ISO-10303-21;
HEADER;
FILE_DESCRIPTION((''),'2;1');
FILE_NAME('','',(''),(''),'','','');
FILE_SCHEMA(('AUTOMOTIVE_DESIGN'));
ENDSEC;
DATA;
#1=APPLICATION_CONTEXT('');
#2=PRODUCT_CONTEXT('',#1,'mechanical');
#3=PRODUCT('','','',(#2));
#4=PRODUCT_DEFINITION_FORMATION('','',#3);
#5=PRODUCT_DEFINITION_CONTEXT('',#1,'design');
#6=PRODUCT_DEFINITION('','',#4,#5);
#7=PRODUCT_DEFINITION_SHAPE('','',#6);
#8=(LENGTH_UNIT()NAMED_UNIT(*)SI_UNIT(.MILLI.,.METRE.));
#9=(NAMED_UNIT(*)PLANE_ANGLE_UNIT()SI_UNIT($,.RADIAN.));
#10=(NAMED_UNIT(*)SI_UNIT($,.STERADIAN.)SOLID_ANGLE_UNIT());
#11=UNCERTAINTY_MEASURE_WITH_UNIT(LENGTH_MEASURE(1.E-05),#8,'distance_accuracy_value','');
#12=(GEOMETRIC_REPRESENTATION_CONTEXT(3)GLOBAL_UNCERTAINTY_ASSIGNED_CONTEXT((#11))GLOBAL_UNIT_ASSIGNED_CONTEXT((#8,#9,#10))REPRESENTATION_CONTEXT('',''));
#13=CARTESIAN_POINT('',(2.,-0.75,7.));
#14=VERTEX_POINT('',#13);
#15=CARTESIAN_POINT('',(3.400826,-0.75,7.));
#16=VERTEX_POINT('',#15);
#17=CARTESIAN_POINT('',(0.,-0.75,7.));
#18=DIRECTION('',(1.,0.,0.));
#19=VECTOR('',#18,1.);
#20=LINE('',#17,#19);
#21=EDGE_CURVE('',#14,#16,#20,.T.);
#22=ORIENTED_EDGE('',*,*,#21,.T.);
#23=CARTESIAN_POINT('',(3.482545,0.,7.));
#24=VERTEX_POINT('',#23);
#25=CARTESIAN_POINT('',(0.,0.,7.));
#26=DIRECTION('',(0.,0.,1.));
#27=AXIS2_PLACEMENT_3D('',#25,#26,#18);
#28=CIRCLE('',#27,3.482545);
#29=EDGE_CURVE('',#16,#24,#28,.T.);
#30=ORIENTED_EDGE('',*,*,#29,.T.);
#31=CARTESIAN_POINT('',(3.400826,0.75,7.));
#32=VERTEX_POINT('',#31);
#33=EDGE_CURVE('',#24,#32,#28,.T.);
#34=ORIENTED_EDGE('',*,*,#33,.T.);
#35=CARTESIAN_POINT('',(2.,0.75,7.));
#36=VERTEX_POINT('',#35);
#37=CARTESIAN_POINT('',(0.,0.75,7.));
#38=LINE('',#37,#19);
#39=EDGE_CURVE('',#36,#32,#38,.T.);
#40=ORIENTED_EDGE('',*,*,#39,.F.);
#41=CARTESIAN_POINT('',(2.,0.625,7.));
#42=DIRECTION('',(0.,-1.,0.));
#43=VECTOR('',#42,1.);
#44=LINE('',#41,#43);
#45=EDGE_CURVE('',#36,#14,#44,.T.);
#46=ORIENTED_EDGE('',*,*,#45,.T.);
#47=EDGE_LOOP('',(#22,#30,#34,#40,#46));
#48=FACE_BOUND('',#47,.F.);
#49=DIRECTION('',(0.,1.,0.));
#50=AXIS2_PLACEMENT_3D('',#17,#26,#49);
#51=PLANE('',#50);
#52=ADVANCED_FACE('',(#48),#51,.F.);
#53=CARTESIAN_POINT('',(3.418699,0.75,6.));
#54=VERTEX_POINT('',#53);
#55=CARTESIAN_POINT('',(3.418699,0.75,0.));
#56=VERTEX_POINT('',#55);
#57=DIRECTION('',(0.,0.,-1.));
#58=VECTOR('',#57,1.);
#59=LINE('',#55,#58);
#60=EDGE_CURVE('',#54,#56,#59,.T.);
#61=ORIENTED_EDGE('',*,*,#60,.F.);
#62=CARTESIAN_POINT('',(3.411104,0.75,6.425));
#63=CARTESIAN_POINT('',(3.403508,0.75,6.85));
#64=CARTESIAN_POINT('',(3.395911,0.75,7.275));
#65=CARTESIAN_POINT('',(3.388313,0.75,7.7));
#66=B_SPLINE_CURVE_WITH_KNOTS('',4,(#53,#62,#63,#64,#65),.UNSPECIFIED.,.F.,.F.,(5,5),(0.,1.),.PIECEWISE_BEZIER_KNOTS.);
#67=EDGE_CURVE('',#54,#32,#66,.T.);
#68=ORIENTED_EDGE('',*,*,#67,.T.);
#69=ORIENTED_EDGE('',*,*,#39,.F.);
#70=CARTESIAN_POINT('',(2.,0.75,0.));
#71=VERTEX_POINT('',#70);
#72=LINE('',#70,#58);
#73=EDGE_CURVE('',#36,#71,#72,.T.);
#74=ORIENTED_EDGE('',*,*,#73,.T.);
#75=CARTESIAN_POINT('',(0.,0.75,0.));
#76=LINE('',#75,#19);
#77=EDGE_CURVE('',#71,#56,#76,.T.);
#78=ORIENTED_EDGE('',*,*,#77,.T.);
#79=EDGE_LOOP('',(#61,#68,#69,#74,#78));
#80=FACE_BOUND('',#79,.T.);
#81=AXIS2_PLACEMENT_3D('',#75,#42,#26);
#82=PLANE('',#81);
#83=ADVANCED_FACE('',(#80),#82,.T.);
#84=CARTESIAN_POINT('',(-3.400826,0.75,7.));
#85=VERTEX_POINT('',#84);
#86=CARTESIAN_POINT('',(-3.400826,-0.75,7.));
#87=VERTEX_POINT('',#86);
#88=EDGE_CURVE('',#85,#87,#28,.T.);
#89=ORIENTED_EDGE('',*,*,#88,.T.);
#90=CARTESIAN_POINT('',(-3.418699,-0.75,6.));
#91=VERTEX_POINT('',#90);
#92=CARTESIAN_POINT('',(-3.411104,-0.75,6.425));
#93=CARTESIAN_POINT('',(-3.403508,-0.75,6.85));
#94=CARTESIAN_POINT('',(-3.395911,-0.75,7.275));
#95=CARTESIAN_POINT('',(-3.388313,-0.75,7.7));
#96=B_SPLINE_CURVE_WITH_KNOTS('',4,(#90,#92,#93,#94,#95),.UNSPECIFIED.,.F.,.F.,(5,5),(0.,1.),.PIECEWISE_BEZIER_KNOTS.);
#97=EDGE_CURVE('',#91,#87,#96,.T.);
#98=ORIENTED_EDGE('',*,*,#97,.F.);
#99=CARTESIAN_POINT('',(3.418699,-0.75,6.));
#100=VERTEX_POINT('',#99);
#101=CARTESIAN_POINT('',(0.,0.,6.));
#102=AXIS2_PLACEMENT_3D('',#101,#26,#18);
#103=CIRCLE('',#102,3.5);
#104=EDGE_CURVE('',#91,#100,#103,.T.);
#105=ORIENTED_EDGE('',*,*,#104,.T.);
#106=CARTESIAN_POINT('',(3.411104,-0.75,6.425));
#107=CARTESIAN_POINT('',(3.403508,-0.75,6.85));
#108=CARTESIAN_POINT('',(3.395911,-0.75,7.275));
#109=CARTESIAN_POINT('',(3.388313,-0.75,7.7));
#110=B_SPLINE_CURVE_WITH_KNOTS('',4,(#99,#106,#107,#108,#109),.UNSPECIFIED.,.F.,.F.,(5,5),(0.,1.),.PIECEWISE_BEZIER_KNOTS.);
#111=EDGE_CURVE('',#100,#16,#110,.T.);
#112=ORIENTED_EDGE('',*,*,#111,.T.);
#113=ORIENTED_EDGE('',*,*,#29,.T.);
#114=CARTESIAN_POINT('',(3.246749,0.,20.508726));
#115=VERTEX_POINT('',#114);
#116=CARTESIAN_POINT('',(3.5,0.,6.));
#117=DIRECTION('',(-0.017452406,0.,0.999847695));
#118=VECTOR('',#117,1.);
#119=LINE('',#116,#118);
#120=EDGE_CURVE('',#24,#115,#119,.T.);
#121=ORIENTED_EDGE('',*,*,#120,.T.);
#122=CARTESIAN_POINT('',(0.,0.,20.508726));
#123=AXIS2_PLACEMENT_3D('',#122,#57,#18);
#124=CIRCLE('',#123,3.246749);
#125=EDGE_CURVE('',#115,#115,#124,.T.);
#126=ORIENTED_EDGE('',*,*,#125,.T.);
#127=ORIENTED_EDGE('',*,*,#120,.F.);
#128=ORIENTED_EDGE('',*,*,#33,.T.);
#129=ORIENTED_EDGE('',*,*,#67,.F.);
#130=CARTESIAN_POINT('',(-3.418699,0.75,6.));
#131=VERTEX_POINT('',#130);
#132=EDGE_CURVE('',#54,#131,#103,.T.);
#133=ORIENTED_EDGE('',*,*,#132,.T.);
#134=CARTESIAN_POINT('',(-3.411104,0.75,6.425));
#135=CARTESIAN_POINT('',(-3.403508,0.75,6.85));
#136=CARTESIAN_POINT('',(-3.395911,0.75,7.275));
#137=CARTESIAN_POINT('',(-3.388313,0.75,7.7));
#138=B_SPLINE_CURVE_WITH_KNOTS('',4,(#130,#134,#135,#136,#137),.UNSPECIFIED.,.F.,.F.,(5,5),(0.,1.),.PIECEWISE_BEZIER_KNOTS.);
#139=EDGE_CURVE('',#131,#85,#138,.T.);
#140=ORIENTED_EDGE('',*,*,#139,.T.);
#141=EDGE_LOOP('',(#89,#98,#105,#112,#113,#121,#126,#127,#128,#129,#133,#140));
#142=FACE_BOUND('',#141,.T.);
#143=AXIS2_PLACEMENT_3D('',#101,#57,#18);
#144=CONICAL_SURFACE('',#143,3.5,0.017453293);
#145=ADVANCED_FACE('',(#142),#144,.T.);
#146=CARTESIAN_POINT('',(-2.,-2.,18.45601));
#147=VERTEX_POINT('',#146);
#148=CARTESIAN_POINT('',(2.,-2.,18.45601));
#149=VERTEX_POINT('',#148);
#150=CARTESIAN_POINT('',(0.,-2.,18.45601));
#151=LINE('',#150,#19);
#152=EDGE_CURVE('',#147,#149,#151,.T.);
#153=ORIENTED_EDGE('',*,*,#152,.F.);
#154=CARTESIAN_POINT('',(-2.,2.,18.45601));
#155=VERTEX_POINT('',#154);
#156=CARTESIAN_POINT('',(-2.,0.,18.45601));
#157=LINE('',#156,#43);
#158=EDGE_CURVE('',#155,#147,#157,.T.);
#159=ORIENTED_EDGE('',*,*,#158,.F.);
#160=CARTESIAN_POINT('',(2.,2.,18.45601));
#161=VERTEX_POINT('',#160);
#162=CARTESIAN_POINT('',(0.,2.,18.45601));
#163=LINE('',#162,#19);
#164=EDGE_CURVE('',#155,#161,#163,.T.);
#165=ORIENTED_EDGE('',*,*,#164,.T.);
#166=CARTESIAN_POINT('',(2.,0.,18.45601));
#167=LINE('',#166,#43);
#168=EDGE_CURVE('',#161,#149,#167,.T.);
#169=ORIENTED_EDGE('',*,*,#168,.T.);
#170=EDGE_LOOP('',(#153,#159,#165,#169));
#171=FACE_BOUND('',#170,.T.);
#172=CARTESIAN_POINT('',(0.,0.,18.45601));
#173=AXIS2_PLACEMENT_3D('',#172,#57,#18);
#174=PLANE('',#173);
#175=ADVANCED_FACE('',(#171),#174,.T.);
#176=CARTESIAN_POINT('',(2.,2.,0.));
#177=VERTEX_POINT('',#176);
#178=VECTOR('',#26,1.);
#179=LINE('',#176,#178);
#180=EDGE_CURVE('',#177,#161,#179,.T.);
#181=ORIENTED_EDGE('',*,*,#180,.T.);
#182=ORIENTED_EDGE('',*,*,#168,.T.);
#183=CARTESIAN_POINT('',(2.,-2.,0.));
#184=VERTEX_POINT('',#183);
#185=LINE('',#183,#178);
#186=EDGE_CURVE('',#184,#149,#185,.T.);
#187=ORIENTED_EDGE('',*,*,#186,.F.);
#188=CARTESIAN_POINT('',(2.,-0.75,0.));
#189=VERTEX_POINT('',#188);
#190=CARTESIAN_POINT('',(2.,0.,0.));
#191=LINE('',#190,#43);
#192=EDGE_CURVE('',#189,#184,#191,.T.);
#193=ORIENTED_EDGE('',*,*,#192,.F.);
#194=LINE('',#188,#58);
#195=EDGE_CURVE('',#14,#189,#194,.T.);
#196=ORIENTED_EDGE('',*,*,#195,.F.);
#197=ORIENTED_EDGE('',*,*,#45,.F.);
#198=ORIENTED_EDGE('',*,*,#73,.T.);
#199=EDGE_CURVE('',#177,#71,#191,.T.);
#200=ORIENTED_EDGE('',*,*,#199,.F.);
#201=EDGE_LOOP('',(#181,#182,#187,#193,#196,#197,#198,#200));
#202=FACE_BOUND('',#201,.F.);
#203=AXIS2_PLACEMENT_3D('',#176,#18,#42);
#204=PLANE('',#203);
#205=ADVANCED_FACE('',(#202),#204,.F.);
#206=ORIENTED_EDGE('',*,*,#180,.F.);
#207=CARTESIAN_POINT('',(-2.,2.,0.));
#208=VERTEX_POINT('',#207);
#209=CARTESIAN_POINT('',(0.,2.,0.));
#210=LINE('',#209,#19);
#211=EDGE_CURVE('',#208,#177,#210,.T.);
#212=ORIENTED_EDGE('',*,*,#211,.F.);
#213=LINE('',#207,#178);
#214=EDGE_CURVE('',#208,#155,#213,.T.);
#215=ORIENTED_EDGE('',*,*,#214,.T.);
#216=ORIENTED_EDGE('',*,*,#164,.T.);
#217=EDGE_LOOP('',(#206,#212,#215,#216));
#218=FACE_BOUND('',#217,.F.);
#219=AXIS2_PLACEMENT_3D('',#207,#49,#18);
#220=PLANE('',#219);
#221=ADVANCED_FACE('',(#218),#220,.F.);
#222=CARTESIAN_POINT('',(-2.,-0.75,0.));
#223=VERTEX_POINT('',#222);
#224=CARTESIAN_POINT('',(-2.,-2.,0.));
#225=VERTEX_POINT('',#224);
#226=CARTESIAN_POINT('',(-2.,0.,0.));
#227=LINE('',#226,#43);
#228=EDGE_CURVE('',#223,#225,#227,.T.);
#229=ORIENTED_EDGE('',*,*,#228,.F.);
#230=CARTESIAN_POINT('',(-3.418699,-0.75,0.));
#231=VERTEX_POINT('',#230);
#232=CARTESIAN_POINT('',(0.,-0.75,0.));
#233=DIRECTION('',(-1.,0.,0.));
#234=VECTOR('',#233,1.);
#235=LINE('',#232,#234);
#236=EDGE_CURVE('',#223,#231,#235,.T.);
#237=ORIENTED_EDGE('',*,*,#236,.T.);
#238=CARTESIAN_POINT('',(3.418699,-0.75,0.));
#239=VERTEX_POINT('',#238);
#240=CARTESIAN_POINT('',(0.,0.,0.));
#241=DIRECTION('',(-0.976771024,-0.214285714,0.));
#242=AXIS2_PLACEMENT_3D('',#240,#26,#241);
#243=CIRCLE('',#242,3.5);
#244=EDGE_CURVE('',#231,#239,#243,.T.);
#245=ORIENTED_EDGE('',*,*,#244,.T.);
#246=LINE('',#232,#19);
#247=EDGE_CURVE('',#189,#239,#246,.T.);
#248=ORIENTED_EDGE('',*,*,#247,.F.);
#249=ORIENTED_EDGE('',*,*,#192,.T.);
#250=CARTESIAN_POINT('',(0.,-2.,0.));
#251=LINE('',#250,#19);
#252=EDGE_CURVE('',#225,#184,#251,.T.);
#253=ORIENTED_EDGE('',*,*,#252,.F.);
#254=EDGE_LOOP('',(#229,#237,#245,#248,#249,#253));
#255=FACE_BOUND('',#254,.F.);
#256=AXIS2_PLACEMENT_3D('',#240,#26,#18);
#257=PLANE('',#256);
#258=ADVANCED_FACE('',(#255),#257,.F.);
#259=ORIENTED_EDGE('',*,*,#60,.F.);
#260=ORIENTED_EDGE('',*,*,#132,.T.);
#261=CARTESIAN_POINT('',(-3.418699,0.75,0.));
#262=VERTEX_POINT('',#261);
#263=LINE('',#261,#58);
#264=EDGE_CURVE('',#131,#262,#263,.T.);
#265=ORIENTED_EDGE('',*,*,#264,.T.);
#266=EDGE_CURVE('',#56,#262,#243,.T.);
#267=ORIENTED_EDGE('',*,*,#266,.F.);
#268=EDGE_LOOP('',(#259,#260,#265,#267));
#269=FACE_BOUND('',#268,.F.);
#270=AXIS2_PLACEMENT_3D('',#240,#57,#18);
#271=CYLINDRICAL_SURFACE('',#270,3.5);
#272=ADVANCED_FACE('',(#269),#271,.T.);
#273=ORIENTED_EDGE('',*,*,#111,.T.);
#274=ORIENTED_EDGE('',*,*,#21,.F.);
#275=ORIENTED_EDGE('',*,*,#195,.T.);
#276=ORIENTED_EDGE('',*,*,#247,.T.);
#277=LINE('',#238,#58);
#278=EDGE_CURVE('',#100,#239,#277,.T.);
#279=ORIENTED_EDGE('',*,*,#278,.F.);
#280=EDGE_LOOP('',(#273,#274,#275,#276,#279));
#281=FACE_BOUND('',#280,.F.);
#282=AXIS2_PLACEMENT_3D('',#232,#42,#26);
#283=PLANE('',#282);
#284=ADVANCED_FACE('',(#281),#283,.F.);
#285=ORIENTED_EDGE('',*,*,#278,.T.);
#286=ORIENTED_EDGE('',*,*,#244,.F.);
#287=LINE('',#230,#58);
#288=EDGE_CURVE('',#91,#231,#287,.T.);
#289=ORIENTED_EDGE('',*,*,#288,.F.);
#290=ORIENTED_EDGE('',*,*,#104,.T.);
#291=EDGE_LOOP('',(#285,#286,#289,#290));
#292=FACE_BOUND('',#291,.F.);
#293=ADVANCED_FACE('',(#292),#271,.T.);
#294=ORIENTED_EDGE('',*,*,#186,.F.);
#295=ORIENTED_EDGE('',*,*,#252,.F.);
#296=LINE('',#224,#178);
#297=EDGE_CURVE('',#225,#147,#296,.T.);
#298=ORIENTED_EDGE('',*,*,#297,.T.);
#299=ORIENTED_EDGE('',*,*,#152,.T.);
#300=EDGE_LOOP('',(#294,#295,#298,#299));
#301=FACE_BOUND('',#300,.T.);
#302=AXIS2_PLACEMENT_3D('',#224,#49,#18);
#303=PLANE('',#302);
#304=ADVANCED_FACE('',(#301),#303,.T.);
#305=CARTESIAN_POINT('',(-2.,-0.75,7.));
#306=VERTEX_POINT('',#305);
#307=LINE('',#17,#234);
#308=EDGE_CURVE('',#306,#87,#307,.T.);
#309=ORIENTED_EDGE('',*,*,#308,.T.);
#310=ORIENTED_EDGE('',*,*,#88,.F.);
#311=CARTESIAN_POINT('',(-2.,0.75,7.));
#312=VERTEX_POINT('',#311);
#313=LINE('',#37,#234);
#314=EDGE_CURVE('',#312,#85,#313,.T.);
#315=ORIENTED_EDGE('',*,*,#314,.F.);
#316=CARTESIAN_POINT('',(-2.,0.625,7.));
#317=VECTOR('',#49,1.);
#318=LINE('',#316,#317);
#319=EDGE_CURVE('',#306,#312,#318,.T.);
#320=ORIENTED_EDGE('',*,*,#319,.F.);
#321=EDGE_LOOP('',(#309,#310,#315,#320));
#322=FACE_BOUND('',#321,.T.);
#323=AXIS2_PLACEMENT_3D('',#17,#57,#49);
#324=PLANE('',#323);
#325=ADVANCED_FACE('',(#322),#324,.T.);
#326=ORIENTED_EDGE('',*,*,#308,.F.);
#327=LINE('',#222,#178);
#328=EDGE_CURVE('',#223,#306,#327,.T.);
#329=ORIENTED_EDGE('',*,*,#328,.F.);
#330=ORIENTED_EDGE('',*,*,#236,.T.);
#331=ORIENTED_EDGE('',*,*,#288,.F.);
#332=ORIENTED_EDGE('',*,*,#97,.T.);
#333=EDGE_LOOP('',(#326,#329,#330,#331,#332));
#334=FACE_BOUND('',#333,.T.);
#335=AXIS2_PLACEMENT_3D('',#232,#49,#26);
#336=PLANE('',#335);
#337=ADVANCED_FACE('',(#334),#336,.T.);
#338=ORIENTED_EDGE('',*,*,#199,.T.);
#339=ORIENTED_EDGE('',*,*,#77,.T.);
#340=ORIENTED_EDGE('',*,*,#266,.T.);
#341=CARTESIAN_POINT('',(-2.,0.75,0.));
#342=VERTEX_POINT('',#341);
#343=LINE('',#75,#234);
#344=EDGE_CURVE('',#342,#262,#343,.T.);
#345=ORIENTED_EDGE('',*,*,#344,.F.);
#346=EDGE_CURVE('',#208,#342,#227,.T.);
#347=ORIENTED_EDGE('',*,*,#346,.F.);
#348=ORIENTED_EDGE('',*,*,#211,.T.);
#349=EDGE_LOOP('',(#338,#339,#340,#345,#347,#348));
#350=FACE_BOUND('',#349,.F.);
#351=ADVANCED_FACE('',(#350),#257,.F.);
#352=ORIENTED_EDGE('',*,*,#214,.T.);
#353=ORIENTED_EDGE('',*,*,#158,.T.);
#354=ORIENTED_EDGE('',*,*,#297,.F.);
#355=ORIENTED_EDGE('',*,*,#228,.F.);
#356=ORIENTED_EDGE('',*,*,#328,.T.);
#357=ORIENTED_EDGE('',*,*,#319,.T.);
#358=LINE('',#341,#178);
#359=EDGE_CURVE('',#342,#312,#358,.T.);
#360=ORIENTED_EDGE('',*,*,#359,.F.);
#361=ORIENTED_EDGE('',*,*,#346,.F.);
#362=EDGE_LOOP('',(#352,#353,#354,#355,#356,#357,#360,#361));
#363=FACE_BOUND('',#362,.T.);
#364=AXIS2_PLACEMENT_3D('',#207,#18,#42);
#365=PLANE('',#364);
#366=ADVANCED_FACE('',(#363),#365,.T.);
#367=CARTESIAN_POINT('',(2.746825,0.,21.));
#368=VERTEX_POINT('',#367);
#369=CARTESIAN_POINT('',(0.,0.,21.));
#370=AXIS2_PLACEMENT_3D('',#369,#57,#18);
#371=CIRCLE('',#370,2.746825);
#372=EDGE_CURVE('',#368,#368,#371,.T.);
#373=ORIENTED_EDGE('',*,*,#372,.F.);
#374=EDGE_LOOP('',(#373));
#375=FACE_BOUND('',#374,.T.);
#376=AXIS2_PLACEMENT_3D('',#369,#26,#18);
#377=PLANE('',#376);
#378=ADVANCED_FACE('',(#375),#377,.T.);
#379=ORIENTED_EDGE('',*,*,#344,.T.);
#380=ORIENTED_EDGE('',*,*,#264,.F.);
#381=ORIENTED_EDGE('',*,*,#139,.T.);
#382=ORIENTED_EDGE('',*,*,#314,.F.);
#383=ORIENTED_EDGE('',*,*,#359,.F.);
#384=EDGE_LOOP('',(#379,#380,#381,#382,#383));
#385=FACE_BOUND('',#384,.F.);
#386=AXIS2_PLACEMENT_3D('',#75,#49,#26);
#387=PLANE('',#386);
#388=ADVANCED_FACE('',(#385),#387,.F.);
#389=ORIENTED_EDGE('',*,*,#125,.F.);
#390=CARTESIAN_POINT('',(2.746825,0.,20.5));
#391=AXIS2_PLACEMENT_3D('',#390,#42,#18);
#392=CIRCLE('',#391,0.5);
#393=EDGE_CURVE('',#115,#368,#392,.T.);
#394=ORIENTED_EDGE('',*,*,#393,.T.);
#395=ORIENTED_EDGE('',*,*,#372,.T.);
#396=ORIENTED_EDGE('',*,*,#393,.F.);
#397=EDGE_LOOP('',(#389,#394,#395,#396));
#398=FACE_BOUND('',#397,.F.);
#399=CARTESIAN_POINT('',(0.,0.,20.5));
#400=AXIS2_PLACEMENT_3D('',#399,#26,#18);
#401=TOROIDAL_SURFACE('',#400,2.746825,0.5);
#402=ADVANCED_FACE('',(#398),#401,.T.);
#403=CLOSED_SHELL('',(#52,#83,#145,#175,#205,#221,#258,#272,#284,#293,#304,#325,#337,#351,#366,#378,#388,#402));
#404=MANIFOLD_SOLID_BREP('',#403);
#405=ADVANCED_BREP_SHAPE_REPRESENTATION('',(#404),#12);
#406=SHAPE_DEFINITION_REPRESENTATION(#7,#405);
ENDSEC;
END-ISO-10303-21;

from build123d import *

# Parameters (mm, degrees)
F0_R          = 3.5
F1_DEPTH      = 6
F1_FACE_R     = 3.5
F2_DEPTH      = 15
F2_TAPER      = 1
F3_W          = 4
F3_H          = 4
F4_DEPTH      = 18.45601
F5_W          = 1.5
F5_H          = 7
F6_DEPTH      = 3.501
F6_DEPTH_BACK = 3.501
F7_R          = 0.5


with BuildPart() as f1:
    # F0 (on Top) → F1 (new body)
    with BuildSketch(Plane.XY):
        Circle(F0_R)
    extrude(amount=F1_DEPTH)

    # F1_face (on face) → F2 (join)
    with BuildSketch(Plane.XY.offset(6)):
        Circle(F1_FACE_R)
    extrude(amount=F2_DEPTH, taper=F2_TAPER)

    # F3 (on face) → F4 (cut)
    with BuildSketch(Plane(origin=(0, 0, 0), x_dir=(1, 0, 0), z_dir=(0, 0, -1))):
        Rectangle(F3_W, F3_H)
    extrude(amount=-F4_DEPTH, mode=Mode.SUBTRACT)

    # F5 (on Right) → F6 (cut, two sides)
    with BuildSketch(Plane.YZ) as f6_sk:
        with Locations((0, 3.5)):
            Rectangle(F5_W, F5_H)
    extrude(amount=-F6_DEPTH, mode=Mode.SUBTRACT)
    extrude(f6_sk.sketch, amount=F6_DEPTH_BACK, mode=Mode.SUBTRACT)

    # F7
    f7_edges = [f1.edges().sort_by_distance(p)[0] for p in [
        (-3.238174, 0, 21),
    ]]
    fillet(f7_edges, radius=F7_R)


solid = f1.part
